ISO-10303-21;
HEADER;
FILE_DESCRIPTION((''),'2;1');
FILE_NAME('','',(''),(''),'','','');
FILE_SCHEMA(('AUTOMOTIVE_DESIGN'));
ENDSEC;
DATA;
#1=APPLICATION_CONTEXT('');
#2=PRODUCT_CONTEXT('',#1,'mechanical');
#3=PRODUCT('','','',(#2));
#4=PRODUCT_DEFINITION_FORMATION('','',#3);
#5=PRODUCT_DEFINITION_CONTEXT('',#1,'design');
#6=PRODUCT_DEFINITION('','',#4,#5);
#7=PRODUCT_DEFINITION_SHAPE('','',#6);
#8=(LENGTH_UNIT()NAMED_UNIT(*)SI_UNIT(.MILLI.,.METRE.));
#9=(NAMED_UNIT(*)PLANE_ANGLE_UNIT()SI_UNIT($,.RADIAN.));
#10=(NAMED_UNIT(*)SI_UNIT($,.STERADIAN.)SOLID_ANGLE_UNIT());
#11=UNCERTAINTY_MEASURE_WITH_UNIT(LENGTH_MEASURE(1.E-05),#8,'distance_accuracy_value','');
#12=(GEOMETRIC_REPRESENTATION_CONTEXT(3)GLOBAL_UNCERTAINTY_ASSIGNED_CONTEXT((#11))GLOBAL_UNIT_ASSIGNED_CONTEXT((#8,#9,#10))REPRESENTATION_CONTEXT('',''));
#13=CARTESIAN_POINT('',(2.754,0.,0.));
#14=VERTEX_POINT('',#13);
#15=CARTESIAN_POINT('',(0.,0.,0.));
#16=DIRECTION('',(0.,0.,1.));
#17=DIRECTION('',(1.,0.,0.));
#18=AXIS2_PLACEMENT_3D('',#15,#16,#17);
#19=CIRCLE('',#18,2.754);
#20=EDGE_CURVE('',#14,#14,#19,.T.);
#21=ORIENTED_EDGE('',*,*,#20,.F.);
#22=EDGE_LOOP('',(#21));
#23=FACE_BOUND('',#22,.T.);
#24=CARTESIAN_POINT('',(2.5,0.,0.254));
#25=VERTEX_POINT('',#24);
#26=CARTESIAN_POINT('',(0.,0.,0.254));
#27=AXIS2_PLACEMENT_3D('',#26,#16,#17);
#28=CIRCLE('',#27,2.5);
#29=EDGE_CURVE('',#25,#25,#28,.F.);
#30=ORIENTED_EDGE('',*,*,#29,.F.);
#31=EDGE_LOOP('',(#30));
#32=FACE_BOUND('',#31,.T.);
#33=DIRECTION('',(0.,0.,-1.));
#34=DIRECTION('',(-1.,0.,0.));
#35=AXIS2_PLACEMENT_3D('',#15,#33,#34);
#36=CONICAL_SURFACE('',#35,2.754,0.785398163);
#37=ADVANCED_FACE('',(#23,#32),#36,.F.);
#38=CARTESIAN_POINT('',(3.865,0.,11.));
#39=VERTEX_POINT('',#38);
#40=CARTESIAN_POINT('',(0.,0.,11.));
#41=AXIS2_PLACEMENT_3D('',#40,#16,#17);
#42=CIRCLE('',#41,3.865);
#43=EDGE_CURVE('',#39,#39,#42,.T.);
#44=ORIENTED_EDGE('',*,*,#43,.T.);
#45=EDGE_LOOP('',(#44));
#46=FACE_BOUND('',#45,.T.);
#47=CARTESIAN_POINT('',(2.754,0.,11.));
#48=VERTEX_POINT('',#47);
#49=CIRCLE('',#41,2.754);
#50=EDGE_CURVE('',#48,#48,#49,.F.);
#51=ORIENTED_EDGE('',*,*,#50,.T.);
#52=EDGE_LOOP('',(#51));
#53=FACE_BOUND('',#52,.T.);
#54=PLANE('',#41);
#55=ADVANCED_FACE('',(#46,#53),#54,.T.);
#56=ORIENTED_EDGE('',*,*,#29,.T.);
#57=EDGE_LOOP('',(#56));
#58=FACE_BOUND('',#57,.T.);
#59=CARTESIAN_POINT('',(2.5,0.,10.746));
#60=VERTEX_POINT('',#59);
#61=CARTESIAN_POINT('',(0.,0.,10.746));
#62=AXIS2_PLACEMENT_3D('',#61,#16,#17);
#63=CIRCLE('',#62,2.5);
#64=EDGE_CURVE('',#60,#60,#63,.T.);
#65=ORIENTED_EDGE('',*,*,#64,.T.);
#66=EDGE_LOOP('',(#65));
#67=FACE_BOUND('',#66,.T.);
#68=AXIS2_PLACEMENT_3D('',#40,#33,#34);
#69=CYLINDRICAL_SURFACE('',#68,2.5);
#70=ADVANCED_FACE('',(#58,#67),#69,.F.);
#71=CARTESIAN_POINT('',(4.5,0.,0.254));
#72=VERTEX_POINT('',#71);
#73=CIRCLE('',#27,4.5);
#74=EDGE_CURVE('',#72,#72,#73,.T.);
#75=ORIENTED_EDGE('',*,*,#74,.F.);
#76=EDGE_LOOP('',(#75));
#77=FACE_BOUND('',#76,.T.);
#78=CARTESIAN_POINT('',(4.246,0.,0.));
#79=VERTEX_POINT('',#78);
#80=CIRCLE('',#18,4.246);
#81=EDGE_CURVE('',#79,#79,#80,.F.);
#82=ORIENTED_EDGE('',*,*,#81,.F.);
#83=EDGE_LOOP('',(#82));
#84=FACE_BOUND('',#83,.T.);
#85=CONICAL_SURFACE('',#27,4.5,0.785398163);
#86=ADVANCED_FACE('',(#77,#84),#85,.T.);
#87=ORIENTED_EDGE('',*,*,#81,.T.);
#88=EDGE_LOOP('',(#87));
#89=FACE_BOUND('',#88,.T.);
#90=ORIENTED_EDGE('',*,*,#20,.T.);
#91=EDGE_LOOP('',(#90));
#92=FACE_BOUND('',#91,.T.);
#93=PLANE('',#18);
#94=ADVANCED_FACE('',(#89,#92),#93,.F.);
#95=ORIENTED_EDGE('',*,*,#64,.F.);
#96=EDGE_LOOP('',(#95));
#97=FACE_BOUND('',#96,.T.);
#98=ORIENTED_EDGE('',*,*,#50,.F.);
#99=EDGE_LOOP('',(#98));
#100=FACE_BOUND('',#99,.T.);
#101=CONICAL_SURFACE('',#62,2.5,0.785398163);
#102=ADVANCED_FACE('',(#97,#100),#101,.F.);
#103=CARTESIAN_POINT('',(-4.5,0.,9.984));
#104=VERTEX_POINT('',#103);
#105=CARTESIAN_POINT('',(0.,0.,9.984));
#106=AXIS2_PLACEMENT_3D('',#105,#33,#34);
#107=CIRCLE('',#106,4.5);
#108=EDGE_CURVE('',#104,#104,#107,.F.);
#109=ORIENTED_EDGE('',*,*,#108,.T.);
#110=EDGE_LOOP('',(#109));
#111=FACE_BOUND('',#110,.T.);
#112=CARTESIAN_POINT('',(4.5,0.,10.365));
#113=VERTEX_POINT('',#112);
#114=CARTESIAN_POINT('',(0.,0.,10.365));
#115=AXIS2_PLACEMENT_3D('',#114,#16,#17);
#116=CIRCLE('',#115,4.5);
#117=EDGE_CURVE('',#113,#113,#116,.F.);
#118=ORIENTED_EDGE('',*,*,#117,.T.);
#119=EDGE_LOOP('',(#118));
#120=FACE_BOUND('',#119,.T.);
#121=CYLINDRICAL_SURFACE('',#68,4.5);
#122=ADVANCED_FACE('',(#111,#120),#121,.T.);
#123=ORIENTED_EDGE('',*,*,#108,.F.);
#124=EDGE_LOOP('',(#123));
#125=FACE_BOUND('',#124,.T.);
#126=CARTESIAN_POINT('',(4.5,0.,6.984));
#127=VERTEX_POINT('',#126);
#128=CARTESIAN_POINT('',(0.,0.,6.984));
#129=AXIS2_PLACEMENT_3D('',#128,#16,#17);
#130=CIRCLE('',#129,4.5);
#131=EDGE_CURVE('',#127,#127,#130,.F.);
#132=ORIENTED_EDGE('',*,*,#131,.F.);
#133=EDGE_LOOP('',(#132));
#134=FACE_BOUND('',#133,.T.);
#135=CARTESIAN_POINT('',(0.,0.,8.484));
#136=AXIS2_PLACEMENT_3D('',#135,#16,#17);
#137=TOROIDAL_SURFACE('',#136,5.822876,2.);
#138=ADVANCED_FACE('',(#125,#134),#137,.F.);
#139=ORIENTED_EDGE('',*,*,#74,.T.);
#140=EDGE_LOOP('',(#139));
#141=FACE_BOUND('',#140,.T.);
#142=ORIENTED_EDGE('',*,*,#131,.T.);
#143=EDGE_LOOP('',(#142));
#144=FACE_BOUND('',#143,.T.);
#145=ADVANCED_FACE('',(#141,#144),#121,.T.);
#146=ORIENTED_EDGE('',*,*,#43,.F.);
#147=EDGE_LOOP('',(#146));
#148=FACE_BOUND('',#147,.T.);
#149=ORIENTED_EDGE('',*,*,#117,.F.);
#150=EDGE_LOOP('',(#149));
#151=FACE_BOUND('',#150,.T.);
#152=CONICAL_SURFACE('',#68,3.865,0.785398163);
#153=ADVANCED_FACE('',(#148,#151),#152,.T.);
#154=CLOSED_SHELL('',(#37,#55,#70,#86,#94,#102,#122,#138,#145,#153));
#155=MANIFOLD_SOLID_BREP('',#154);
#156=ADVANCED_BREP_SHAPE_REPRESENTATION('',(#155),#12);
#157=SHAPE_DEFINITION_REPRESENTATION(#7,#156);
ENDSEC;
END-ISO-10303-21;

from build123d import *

# Parameters (mm, degrees)
SKETCH1_R           = 4.5
SKETCH1_R_2         = 2.5
BOSS_EXTRUDE1_DEPTH = 11
SKETCH2_R           = 2
CHAMFER1_SIZE       = 0.635
CHAMFER2_SIZE       = 0.254


with BuildPart() as part:
    # Sketch1 → Boss-Extrude1 (new body)
    with BuildSketch(Plane.XY):
        Circle(SKETCH1_R)
        Circle(SKETCH1_R_2, mode=Mode.SUBTRACT)
    extrude(amount=BOSS_EXTRUDE1_DEPTH)

    # Sketch2 → Cut-Revolve1 (revolve, cut)
    with BuildSketch(Plane(origin=(0, 0, 0), x_dir=(-1, 0, 0), z_dir=(0, -1, 0)), mode=Mode.PRIVATE) as cut_revolve1_sk:
        with Locations((5.822875656, -8.484)):
            Circle(SKETCH2_R)
    revolve(cut_revolve1_sk.sketch.rotate(Axis((0, 0, 11), (0, 0, -1)), 180), axis=Axis((0, 0, 11), (0, 0, -1)), mode=Mode.SUBTRACT)

    # Chamfer1
    chamfer1_edges = [part.edges().sort_by_distance(p)[0] for p in [
        (-4.5, 0, 11),
    ]]
    chamfer(chamfer1_edges, length=CHAMFER1_SIZE)

    # Chamfer2
    chamfer2_edges = [part.edges().sort_by_distance(p)[0] for p in [
        (-4.5, 0, 0),
        (-2.5, 0, 0),
        (-2.5, 0, 11),
    ]]
    chamfer(chamfer2_edges, length=CHAMFER2_SIZE)


solid = part.part
